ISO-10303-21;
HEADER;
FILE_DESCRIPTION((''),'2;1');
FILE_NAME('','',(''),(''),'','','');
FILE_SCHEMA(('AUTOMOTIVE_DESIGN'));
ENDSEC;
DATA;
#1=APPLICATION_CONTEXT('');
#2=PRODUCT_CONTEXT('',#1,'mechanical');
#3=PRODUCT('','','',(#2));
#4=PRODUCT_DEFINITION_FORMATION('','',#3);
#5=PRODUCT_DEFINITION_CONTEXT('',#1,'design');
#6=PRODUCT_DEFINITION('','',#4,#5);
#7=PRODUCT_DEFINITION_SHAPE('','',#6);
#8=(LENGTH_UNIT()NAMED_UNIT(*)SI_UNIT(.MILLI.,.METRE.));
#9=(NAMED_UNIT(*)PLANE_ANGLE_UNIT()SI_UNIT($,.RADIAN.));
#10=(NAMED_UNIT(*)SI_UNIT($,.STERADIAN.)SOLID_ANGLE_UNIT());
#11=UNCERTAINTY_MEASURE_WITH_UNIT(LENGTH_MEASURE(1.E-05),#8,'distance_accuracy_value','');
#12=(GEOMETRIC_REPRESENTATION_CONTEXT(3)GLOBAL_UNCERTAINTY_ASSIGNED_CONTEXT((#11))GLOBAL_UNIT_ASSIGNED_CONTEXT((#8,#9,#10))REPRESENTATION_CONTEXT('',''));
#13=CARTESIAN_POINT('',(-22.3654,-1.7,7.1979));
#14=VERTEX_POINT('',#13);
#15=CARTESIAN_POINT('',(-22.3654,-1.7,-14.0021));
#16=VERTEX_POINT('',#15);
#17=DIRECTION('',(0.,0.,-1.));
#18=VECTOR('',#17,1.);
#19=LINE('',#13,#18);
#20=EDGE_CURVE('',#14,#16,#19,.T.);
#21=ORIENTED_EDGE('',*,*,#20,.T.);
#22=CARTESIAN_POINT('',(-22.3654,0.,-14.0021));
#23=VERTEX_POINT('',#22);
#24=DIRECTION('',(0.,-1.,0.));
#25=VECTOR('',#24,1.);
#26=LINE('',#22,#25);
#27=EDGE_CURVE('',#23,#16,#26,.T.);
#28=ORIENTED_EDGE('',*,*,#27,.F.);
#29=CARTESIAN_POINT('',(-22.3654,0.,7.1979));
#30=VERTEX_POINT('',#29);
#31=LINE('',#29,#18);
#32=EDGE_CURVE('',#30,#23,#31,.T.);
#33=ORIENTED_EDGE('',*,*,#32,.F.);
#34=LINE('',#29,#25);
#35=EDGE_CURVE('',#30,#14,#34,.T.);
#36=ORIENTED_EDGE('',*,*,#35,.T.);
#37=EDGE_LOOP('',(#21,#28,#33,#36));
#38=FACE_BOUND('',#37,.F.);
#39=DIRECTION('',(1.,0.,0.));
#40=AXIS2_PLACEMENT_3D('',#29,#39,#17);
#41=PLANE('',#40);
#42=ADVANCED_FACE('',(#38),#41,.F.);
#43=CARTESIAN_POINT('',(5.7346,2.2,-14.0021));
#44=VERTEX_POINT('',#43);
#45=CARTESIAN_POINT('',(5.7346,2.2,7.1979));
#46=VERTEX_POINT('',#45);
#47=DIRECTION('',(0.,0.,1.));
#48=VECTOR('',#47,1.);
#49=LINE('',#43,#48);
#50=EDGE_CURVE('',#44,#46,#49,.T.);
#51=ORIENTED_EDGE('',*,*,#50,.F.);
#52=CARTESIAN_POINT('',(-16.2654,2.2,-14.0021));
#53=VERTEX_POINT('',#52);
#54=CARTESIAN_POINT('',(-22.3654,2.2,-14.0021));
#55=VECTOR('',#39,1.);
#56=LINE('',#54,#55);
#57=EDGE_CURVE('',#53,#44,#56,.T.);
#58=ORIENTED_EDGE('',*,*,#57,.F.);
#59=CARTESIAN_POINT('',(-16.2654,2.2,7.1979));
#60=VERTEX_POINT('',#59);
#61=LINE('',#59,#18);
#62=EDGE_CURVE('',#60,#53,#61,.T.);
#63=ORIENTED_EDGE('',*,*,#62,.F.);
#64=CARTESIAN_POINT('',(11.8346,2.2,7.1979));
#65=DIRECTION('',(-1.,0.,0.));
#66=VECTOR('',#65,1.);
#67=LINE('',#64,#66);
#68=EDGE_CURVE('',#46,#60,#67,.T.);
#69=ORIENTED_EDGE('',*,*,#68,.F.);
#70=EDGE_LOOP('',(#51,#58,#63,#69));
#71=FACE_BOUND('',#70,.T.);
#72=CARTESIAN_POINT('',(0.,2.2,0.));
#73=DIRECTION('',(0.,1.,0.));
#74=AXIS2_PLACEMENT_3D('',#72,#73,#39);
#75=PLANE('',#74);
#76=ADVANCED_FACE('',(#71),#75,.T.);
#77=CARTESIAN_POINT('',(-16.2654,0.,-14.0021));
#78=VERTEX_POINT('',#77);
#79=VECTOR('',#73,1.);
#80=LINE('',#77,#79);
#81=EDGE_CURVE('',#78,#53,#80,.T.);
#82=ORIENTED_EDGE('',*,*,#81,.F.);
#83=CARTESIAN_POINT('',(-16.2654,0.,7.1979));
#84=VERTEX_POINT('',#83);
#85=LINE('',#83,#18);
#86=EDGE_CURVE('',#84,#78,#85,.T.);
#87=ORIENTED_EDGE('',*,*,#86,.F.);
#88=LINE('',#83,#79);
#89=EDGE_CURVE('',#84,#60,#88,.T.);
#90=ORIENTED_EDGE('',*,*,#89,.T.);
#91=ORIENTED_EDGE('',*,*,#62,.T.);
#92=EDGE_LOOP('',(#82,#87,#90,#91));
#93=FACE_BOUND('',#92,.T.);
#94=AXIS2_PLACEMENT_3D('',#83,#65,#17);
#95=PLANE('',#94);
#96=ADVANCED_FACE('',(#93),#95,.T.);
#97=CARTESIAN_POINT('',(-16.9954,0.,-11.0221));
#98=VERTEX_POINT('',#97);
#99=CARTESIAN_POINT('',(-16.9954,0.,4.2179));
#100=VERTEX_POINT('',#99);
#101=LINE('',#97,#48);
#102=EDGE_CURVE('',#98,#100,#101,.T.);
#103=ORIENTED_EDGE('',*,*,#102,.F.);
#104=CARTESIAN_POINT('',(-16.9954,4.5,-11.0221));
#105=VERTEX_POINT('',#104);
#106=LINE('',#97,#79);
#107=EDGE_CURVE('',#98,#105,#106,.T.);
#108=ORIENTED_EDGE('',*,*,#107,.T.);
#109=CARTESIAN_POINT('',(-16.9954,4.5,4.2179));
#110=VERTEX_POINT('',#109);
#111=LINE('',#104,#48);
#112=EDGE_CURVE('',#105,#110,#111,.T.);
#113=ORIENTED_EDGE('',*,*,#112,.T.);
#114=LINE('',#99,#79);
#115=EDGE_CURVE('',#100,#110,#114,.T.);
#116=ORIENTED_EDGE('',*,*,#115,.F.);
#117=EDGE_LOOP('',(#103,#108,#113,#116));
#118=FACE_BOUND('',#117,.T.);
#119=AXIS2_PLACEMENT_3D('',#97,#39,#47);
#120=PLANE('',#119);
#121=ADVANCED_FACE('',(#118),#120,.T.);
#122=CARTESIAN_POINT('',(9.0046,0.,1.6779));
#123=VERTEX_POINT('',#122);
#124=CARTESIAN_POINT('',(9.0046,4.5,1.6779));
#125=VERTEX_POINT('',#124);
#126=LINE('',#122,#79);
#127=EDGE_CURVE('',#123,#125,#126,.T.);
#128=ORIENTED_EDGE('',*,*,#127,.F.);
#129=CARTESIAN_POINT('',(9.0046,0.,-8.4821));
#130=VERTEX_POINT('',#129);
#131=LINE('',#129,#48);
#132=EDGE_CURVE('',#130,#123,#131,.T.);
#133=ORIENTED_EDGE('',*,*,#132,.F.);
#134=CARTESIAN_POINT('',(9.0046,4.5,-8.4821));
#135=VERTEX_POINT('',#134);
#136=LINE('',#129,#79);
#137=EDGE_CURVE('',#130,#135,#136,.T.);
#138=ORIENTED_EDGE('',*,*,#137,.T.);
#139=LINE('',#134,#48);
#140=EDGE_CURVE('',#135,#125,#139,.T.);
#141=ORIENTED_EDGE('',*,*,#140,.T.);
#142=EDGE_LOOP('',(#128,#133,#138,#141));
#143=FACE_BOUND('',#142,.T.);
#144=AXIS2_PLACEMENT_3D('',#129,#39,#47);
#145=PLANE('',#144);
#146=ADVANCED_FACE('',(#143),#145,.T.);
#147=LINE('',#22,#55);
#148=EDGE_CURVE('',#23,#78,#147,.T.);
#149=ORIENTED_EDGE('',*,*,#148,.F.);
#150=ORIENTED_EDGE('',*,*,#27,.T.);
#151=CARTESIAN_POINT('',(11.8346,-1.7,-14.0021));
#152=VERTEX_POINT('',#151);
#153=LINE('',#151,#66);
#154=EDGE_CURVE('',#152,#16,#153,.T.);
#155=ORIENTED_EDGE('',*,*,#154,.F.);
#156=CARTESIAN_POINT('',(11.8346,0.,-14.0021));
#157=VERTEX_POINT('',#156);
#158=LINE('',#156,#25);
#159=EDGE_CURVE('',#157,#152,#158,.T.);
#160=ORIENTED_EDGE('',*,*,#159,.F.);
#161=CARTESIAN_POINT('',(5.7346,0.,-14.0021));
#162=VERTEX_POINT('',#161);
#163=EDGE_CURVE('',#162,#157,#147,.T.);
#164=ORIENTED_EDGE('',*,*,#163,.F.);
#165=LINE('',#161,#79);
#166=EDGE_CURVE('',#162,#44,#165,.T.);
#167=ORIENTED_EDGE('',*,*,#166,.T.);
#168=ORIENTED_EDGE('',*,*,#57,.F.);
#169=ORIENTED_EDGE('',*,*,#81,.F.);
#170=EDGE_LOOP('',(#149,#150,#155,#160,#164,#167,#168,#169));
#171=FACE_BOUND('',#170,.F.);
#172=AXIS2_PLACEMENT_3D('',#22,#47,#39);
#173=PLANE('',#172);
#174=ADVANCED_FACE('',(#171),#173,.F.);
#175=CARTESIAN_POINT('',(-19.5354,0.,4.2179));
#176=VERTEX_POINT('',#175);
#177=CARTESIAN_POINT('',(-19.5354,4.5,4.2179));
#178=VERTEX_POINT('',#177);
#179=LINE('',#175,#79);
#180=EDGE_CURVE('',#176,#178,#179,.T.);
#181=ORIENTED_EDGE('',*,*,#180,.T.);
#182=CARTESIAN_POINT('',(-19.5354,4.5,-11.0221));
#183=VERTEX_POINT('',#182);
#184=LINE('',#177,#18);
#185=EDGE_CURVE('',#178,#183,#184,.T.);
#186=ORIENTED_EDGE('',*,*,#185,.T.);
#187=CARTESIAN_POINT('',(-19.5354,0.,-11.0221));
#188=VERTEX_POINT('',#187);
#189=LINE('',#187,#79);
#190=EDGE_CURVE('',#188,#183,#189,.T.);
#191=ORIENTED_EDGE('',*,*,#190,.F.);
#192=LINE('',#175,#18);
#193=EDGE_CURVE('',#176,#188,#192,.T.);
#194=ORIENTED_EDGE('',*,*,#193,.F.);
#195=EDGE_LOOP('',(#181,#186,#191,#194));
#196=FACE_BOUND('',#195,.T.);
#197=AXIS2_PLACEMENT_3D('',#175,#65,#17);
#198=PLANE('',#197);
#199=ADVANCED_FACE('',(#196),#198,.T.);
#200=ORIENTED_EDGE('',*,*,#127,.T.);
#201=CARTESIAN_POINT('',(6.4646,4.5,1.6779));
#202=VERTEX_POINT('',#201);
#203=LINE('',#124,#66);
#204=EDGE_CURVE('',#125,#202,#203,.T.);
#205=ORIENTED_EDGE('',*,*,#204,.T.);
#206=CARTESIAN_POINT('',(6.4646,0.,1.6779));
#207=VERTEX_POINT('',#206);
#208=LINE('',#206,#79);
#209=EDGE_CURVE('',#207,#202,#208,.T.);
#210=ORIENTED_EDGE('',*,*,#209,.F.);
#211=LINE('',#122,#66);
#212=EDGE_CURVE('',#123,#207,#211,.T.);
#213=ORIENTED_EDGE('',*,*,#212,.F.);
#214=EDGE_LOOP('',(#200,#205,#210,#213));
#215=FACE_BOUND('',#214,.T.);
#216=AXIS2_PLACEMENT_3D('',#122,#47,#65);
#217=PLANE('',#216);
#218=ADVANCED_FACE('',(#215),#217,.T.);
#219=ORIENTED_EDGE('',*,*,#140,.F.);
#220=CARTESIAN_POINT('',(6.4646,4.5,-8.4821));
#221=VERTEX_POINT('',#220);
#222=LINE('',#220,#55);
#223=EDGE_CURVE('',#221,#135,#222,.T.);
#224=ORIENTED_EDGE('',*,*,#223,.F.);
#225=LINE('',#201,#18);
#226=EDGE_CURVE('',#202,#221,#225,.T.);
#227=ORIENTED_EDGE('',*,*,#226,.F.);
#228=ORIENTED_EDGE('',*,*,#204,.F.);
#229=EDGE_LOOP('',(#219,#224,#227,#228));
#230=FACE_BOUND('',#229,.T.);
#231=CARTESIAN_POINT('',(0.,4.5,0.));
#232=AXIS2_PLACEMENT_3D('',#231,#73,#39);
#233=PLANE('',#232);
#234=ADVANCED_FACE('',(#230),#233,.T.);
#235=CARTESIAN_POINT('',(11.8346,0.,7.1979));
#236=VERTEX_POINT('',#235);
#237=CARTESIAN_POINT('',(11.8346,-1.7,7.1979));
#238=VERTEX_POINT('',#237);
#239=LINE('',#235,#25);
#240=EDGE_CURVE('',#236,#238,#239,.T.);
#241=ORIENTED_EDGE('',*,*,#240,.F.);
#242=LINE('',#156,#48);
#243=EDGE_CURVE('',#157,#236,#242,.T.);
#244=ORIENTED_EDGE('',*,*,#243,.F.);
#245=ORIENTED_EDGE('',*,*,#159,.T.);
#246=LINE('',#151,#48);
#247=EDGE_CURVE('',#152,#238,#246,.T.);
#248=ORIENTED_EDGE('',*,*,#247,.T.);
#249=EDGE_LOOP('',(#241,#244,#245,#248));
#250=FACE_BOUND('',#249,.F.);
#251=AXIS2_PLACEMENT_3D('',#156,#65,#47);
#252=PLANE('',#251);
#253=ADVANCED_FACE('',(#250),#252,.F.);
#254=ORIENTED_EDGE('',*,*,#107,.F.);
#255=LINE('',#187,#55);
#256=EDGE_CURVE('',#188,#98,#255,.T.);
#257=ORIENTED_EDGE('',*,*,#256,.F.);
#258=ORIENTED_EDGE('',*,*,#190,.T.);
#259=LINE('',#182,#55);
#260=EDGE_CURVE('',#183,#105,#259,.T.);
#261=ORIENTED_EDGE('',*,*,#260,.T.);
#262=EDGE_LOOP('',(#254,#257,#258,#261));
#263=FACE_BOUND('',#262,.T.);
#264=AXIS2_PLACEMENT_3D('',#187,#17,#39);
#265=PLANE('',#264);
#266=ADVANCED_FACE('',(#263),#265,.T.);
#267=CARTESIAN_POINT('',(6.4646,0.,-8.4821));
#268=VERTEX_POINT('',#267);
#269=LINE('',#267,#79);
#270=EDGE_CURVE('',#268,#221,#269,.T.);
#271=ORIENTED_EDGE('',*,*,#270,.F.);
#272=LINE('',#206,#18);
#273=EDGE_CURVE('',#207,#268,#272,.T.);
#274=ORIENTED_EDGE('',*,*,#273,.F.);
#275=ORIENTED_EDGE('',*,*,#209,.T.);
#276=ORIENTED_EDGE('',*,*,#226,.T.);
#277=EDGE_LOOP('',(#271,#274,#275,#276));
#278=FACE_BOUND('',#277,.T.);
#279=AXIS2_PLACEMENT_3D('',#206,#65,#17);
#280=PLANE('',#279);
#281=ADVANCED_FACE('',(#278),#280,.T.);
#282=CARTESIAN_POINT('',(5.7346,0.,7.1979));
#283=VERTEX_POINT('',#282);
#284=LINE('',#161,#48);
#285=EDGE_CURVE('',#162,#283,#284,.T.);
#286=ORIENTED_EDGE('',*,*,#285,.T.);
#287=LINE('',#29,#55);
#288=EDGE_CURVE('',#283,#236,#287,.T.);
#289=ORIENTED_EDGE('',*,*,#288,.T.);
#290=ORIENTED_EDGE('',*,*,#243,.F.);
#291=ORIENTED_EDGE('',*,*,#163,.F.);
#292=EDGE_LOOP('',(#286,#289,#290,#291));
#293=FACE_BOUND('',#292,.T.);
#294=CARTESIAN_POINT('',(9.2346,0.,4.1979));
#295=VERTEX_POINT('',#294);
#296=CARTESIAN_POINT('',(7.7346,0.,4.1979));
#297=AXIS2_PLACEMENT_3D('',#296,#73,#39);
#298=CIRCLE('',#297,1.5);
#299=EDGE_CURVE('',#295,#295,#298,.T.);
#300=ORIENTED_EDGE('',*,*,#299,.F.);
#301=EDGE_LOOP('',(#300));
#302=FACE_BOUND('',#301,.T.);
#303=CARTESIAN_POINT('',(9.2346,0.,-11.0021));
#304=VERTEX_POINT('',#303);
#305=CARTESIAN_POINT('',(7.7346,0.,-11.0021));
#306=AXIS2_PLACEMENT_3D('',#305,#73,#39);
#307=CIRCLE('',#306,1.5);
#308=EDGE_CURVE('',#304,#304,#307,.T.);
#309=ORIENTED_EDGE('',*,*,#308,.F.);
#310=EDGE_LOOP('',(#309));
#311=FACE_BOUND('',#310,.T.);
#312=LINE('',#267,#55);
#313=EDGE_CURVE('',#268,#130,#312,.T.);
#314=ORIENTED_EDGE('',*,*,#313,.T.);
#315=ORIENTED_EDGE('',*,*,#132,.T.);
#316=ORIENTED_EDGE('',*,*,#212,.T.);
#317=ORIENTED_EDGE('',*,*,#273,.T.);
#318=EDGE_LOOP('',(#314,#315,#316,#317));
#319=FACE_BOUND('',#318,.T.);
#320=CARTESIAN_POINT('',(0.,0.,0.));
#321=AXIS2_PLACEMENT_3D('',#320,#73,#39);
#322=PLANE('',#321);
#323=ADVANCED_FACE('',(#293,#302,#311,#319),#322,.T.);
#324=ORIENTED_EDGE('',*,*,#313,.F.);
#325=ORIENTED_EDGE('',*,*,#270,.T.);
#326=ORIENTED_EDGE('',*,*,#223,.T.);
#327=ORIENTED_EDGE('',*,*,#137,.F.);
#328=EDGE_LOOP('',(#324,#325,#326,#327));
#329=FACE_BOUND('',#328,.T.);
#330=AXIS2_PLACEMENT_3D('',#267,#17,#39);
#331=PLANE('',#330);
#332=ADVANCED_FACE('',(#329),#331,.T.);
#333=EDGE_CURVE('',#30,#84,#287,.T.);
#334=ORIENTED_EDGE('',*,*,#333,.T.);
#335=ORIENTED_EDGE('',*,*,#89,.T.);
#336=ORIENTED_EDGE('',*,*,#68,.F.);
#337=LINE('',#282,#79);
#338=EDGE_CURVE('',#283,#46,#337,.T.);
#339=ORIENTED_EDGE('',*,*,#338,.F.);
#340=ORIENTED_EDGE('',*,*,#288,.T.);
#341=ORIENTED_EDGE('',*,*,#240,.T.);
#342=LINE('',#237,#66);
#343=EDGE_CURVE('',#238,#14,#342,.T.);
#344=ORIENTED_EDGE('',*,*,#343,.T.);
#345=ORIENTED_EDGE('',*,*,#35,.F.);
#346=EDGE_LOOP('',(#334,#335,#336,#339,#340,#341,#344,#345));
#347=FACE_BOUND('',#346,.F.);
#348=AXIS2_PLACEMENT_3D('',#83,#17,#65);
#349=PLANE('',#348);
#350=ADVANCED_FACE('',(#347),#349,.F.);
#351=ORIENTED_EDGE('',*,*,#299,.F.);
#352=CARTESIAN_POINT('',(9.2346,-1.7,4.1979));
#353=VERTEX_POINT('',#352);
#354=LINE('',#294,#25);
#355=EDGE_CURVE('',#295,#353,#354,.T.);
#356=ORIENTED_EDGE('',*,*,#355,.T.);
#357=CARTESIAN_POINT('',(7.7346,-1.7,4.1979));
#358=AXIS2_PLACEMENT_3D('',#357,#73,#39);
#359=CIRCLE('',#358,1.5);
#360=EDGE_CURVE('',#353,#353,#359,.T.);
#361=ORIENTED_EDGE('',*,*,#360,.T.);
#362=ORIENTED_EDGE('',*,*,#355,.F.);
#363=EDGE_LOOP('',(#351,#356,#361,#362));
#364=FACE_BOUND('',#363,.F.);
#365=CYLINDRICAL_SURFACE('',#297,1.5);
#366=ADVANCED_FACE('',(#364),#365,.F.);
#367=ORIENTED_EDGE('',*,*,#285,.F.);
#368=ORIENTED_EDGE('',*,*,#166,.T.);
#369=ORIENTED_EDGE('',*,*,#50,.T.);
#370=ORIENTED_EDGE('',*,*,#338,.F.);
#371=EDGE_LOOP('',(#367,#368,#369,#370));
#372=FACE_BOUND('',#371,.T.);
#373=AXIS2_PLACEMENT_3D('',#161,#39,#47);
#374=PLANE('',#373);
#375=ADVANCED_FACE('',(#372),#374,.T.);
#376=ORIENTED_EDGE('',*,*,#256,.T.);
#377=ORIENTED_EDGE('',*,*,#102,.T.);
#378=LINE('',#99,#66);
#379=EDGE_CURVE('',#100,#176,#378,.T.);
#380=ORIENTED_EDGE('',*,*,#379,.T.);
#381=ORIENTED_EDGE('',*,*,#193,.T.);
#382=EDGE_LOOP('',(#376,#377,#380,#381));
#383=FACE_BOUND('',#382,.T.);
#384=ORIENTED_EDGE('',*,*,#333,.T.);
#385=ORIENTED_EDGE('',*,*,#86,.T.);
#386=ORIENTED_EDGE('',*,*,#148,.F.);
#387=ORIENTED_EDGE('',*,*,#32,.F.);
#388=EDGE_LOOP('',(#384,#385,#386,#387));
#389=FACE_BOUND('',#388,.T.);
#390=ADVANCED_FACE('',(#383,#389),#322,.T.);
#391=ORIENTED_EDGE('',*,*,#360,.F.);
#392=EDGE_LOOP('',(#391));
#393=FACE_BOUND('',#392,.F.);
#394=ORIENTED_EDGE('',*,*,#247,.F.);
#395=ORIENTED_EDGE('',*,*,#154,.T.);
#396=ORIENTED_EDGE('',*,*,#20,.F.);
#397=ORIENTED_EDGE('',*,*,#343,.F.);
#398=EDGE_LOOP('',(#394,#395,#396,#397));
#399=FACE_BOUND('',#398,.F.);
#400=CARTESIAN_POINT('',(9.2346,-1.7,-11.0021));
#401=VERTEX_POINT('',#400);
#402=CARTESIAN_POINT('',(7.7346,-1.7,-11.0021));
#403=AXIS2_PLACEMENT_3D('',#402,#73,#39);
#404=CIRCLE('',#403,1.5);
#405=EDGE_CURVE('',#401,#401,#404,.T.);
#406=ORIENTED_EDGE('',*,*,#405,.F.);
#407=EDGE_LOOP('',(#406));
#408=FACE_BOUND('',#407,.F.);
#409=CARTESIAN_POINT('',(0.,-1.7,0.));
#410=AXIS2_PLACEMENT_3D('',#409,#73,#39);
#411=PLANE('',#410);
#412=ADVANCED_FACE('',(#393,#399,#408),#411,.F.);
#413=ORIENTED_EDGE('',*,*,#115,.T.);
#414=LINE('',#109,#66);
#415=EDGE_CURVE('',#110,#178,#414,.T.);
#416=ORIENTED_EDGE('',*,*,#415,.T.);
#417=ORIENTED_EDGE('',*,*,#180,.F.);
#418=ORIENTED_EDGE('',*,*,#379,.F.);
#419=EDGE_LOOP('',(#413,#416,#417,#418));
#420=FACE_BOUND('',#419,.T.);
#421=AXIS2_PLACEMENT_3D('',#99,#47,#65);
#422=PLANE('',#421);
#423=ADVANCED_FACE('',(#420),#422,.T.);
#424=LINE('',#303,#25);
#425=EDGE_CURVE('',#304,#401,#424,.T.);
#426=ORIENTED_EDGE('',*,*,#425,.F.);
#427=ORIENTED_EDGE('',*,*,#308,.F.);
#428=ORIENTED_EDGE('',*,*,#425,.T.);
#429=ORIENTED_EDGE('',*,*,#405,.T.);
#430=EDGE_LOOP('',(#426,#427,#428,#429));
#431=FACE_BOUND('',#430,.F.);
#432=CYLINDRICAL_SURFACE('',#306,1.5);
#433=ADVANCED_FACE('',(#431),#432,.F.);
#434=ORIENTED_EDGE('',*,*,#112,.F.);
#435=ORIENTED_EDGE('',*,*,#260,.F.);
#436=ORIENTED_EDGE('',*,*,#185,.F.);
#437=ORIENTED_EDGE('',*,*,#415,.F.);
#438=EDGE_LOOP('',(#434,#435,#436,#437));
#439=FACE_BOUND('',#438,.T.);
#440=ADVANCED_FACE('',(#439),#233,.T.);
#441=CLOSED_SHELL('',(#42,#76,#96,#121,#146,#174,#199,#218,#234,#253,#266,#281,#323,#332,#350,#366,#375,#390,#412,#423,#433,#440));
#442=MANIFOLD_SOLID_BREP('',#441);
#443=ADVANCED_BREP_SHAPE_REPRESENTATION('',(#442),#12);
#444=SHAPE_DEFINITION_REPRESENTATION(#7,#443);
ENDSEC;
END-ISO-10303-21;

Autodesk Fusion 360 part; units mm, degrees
sketch "Sketch1" plane through (0, 0, 0) normal (0, 1, 0) x (1, 0, 0)
  line L0 (-22.3654, 14.0021) -> (11.8346, 14.0021)
  line L1 (11.8346, 14.0021) -> (11.8346, -7.1979)
  line L2 (11.8346, -7.1979) -> (-22.3654, -7.1979)
  line L3 (-22.3654, -7.1979) -> (-22.3654, 14.0021)
  line L4 (-19.5354, 11.0221) -> (-16.9954, 11.0221)
  line L5 (-16.9954, 11.0221) -> (-16.9954, -4.2179)
  line L6 (-16.9954, -4.2179) -> (-19.5354, -4.2179)
  line L7 (-19.5354, -4.2179) -> (-19.5354, 11.0221)
  line L8 (6.4646, 8.4821) -> (9.0046, 8.4821)
  line L9 (9.0046, 8.4821) -> (9.0046, -1.6779)
  line L10 (9.0046, -1.6779) -> (6.4646, -1.6779)
  line L11 (6.4646, -1.6779) -> (6.4646, 8.4821)
  line L12 (11.8346, 3.4021) -> (-22.3654, 3.4021) construction
  line L13 (-16.2654, 14.0021) -> (5.7346, 14.0021)
  line L14 (5.7346, 14.0021) -> (5.7346, -7.1979)
  line L15 (5.7346, -7.1979) -> (-16.2654, -7.1979)
  line L16 (-16.2654, -7.1979) -> (-16.2654, 14.0021)
  line L17 (-18.2654, -4.2179) -> (-18.2654, 11.0221) construction
  line L18 (7.7346, -1.6779) -> (7.7346, 8.4821) construction
  circle A0 centre (7.7346, 11.0021) radius 1.5
  circle A1 centre (7.7346, -4.1979) radius 1.5
  line L19 (7.7346, -4.1979) -> (7.7346, 11.0021) construction
  point P0 (-16.9954, 3.4021)
  point P1 (-19.5354, 3.4021)
  point P2 (6.4646, 3.4021)
  point P3 (9.0046, 3.4021)
  dimension "d1" = 34.2
  dimension "d2" = 21.2
  dimension "d3" = 15.24
  dimension "d4" = 2.54
  dimension "d5" = 10.16
  dimension "d6" = 2.54
  dimension "d7" = 22
  dimension "d8" = 4.1
  dimension "d9" = 4.1
  dimension "d16" = 3
  dimension "d17" = 3
  dimension "d18" = 15.2
extrude "Extrude1" add sketch "Sketch1" against normal blind 1.7 contours L0 L2 L3 L16 | L0 L2 L13 L14 L15 L16 | L0 L1 L2 L14 | L4 L5 L6 L7 | L8 L9 L10 L11 | A0 | A1
extrude "Extrude2" add sketch "Sketch1" along normal blind 2.2 contours L0 L2 L13 L14 L15 L16
extrude "Extrude3" add sketch "Sketch1" along normal blind 4.5 contours L4 L5 L6 L7 | L8 L9 L10 L11
extrude "Extrude4" cut sketch "Sketch1" against normal blind 5 contours A0 | A1
